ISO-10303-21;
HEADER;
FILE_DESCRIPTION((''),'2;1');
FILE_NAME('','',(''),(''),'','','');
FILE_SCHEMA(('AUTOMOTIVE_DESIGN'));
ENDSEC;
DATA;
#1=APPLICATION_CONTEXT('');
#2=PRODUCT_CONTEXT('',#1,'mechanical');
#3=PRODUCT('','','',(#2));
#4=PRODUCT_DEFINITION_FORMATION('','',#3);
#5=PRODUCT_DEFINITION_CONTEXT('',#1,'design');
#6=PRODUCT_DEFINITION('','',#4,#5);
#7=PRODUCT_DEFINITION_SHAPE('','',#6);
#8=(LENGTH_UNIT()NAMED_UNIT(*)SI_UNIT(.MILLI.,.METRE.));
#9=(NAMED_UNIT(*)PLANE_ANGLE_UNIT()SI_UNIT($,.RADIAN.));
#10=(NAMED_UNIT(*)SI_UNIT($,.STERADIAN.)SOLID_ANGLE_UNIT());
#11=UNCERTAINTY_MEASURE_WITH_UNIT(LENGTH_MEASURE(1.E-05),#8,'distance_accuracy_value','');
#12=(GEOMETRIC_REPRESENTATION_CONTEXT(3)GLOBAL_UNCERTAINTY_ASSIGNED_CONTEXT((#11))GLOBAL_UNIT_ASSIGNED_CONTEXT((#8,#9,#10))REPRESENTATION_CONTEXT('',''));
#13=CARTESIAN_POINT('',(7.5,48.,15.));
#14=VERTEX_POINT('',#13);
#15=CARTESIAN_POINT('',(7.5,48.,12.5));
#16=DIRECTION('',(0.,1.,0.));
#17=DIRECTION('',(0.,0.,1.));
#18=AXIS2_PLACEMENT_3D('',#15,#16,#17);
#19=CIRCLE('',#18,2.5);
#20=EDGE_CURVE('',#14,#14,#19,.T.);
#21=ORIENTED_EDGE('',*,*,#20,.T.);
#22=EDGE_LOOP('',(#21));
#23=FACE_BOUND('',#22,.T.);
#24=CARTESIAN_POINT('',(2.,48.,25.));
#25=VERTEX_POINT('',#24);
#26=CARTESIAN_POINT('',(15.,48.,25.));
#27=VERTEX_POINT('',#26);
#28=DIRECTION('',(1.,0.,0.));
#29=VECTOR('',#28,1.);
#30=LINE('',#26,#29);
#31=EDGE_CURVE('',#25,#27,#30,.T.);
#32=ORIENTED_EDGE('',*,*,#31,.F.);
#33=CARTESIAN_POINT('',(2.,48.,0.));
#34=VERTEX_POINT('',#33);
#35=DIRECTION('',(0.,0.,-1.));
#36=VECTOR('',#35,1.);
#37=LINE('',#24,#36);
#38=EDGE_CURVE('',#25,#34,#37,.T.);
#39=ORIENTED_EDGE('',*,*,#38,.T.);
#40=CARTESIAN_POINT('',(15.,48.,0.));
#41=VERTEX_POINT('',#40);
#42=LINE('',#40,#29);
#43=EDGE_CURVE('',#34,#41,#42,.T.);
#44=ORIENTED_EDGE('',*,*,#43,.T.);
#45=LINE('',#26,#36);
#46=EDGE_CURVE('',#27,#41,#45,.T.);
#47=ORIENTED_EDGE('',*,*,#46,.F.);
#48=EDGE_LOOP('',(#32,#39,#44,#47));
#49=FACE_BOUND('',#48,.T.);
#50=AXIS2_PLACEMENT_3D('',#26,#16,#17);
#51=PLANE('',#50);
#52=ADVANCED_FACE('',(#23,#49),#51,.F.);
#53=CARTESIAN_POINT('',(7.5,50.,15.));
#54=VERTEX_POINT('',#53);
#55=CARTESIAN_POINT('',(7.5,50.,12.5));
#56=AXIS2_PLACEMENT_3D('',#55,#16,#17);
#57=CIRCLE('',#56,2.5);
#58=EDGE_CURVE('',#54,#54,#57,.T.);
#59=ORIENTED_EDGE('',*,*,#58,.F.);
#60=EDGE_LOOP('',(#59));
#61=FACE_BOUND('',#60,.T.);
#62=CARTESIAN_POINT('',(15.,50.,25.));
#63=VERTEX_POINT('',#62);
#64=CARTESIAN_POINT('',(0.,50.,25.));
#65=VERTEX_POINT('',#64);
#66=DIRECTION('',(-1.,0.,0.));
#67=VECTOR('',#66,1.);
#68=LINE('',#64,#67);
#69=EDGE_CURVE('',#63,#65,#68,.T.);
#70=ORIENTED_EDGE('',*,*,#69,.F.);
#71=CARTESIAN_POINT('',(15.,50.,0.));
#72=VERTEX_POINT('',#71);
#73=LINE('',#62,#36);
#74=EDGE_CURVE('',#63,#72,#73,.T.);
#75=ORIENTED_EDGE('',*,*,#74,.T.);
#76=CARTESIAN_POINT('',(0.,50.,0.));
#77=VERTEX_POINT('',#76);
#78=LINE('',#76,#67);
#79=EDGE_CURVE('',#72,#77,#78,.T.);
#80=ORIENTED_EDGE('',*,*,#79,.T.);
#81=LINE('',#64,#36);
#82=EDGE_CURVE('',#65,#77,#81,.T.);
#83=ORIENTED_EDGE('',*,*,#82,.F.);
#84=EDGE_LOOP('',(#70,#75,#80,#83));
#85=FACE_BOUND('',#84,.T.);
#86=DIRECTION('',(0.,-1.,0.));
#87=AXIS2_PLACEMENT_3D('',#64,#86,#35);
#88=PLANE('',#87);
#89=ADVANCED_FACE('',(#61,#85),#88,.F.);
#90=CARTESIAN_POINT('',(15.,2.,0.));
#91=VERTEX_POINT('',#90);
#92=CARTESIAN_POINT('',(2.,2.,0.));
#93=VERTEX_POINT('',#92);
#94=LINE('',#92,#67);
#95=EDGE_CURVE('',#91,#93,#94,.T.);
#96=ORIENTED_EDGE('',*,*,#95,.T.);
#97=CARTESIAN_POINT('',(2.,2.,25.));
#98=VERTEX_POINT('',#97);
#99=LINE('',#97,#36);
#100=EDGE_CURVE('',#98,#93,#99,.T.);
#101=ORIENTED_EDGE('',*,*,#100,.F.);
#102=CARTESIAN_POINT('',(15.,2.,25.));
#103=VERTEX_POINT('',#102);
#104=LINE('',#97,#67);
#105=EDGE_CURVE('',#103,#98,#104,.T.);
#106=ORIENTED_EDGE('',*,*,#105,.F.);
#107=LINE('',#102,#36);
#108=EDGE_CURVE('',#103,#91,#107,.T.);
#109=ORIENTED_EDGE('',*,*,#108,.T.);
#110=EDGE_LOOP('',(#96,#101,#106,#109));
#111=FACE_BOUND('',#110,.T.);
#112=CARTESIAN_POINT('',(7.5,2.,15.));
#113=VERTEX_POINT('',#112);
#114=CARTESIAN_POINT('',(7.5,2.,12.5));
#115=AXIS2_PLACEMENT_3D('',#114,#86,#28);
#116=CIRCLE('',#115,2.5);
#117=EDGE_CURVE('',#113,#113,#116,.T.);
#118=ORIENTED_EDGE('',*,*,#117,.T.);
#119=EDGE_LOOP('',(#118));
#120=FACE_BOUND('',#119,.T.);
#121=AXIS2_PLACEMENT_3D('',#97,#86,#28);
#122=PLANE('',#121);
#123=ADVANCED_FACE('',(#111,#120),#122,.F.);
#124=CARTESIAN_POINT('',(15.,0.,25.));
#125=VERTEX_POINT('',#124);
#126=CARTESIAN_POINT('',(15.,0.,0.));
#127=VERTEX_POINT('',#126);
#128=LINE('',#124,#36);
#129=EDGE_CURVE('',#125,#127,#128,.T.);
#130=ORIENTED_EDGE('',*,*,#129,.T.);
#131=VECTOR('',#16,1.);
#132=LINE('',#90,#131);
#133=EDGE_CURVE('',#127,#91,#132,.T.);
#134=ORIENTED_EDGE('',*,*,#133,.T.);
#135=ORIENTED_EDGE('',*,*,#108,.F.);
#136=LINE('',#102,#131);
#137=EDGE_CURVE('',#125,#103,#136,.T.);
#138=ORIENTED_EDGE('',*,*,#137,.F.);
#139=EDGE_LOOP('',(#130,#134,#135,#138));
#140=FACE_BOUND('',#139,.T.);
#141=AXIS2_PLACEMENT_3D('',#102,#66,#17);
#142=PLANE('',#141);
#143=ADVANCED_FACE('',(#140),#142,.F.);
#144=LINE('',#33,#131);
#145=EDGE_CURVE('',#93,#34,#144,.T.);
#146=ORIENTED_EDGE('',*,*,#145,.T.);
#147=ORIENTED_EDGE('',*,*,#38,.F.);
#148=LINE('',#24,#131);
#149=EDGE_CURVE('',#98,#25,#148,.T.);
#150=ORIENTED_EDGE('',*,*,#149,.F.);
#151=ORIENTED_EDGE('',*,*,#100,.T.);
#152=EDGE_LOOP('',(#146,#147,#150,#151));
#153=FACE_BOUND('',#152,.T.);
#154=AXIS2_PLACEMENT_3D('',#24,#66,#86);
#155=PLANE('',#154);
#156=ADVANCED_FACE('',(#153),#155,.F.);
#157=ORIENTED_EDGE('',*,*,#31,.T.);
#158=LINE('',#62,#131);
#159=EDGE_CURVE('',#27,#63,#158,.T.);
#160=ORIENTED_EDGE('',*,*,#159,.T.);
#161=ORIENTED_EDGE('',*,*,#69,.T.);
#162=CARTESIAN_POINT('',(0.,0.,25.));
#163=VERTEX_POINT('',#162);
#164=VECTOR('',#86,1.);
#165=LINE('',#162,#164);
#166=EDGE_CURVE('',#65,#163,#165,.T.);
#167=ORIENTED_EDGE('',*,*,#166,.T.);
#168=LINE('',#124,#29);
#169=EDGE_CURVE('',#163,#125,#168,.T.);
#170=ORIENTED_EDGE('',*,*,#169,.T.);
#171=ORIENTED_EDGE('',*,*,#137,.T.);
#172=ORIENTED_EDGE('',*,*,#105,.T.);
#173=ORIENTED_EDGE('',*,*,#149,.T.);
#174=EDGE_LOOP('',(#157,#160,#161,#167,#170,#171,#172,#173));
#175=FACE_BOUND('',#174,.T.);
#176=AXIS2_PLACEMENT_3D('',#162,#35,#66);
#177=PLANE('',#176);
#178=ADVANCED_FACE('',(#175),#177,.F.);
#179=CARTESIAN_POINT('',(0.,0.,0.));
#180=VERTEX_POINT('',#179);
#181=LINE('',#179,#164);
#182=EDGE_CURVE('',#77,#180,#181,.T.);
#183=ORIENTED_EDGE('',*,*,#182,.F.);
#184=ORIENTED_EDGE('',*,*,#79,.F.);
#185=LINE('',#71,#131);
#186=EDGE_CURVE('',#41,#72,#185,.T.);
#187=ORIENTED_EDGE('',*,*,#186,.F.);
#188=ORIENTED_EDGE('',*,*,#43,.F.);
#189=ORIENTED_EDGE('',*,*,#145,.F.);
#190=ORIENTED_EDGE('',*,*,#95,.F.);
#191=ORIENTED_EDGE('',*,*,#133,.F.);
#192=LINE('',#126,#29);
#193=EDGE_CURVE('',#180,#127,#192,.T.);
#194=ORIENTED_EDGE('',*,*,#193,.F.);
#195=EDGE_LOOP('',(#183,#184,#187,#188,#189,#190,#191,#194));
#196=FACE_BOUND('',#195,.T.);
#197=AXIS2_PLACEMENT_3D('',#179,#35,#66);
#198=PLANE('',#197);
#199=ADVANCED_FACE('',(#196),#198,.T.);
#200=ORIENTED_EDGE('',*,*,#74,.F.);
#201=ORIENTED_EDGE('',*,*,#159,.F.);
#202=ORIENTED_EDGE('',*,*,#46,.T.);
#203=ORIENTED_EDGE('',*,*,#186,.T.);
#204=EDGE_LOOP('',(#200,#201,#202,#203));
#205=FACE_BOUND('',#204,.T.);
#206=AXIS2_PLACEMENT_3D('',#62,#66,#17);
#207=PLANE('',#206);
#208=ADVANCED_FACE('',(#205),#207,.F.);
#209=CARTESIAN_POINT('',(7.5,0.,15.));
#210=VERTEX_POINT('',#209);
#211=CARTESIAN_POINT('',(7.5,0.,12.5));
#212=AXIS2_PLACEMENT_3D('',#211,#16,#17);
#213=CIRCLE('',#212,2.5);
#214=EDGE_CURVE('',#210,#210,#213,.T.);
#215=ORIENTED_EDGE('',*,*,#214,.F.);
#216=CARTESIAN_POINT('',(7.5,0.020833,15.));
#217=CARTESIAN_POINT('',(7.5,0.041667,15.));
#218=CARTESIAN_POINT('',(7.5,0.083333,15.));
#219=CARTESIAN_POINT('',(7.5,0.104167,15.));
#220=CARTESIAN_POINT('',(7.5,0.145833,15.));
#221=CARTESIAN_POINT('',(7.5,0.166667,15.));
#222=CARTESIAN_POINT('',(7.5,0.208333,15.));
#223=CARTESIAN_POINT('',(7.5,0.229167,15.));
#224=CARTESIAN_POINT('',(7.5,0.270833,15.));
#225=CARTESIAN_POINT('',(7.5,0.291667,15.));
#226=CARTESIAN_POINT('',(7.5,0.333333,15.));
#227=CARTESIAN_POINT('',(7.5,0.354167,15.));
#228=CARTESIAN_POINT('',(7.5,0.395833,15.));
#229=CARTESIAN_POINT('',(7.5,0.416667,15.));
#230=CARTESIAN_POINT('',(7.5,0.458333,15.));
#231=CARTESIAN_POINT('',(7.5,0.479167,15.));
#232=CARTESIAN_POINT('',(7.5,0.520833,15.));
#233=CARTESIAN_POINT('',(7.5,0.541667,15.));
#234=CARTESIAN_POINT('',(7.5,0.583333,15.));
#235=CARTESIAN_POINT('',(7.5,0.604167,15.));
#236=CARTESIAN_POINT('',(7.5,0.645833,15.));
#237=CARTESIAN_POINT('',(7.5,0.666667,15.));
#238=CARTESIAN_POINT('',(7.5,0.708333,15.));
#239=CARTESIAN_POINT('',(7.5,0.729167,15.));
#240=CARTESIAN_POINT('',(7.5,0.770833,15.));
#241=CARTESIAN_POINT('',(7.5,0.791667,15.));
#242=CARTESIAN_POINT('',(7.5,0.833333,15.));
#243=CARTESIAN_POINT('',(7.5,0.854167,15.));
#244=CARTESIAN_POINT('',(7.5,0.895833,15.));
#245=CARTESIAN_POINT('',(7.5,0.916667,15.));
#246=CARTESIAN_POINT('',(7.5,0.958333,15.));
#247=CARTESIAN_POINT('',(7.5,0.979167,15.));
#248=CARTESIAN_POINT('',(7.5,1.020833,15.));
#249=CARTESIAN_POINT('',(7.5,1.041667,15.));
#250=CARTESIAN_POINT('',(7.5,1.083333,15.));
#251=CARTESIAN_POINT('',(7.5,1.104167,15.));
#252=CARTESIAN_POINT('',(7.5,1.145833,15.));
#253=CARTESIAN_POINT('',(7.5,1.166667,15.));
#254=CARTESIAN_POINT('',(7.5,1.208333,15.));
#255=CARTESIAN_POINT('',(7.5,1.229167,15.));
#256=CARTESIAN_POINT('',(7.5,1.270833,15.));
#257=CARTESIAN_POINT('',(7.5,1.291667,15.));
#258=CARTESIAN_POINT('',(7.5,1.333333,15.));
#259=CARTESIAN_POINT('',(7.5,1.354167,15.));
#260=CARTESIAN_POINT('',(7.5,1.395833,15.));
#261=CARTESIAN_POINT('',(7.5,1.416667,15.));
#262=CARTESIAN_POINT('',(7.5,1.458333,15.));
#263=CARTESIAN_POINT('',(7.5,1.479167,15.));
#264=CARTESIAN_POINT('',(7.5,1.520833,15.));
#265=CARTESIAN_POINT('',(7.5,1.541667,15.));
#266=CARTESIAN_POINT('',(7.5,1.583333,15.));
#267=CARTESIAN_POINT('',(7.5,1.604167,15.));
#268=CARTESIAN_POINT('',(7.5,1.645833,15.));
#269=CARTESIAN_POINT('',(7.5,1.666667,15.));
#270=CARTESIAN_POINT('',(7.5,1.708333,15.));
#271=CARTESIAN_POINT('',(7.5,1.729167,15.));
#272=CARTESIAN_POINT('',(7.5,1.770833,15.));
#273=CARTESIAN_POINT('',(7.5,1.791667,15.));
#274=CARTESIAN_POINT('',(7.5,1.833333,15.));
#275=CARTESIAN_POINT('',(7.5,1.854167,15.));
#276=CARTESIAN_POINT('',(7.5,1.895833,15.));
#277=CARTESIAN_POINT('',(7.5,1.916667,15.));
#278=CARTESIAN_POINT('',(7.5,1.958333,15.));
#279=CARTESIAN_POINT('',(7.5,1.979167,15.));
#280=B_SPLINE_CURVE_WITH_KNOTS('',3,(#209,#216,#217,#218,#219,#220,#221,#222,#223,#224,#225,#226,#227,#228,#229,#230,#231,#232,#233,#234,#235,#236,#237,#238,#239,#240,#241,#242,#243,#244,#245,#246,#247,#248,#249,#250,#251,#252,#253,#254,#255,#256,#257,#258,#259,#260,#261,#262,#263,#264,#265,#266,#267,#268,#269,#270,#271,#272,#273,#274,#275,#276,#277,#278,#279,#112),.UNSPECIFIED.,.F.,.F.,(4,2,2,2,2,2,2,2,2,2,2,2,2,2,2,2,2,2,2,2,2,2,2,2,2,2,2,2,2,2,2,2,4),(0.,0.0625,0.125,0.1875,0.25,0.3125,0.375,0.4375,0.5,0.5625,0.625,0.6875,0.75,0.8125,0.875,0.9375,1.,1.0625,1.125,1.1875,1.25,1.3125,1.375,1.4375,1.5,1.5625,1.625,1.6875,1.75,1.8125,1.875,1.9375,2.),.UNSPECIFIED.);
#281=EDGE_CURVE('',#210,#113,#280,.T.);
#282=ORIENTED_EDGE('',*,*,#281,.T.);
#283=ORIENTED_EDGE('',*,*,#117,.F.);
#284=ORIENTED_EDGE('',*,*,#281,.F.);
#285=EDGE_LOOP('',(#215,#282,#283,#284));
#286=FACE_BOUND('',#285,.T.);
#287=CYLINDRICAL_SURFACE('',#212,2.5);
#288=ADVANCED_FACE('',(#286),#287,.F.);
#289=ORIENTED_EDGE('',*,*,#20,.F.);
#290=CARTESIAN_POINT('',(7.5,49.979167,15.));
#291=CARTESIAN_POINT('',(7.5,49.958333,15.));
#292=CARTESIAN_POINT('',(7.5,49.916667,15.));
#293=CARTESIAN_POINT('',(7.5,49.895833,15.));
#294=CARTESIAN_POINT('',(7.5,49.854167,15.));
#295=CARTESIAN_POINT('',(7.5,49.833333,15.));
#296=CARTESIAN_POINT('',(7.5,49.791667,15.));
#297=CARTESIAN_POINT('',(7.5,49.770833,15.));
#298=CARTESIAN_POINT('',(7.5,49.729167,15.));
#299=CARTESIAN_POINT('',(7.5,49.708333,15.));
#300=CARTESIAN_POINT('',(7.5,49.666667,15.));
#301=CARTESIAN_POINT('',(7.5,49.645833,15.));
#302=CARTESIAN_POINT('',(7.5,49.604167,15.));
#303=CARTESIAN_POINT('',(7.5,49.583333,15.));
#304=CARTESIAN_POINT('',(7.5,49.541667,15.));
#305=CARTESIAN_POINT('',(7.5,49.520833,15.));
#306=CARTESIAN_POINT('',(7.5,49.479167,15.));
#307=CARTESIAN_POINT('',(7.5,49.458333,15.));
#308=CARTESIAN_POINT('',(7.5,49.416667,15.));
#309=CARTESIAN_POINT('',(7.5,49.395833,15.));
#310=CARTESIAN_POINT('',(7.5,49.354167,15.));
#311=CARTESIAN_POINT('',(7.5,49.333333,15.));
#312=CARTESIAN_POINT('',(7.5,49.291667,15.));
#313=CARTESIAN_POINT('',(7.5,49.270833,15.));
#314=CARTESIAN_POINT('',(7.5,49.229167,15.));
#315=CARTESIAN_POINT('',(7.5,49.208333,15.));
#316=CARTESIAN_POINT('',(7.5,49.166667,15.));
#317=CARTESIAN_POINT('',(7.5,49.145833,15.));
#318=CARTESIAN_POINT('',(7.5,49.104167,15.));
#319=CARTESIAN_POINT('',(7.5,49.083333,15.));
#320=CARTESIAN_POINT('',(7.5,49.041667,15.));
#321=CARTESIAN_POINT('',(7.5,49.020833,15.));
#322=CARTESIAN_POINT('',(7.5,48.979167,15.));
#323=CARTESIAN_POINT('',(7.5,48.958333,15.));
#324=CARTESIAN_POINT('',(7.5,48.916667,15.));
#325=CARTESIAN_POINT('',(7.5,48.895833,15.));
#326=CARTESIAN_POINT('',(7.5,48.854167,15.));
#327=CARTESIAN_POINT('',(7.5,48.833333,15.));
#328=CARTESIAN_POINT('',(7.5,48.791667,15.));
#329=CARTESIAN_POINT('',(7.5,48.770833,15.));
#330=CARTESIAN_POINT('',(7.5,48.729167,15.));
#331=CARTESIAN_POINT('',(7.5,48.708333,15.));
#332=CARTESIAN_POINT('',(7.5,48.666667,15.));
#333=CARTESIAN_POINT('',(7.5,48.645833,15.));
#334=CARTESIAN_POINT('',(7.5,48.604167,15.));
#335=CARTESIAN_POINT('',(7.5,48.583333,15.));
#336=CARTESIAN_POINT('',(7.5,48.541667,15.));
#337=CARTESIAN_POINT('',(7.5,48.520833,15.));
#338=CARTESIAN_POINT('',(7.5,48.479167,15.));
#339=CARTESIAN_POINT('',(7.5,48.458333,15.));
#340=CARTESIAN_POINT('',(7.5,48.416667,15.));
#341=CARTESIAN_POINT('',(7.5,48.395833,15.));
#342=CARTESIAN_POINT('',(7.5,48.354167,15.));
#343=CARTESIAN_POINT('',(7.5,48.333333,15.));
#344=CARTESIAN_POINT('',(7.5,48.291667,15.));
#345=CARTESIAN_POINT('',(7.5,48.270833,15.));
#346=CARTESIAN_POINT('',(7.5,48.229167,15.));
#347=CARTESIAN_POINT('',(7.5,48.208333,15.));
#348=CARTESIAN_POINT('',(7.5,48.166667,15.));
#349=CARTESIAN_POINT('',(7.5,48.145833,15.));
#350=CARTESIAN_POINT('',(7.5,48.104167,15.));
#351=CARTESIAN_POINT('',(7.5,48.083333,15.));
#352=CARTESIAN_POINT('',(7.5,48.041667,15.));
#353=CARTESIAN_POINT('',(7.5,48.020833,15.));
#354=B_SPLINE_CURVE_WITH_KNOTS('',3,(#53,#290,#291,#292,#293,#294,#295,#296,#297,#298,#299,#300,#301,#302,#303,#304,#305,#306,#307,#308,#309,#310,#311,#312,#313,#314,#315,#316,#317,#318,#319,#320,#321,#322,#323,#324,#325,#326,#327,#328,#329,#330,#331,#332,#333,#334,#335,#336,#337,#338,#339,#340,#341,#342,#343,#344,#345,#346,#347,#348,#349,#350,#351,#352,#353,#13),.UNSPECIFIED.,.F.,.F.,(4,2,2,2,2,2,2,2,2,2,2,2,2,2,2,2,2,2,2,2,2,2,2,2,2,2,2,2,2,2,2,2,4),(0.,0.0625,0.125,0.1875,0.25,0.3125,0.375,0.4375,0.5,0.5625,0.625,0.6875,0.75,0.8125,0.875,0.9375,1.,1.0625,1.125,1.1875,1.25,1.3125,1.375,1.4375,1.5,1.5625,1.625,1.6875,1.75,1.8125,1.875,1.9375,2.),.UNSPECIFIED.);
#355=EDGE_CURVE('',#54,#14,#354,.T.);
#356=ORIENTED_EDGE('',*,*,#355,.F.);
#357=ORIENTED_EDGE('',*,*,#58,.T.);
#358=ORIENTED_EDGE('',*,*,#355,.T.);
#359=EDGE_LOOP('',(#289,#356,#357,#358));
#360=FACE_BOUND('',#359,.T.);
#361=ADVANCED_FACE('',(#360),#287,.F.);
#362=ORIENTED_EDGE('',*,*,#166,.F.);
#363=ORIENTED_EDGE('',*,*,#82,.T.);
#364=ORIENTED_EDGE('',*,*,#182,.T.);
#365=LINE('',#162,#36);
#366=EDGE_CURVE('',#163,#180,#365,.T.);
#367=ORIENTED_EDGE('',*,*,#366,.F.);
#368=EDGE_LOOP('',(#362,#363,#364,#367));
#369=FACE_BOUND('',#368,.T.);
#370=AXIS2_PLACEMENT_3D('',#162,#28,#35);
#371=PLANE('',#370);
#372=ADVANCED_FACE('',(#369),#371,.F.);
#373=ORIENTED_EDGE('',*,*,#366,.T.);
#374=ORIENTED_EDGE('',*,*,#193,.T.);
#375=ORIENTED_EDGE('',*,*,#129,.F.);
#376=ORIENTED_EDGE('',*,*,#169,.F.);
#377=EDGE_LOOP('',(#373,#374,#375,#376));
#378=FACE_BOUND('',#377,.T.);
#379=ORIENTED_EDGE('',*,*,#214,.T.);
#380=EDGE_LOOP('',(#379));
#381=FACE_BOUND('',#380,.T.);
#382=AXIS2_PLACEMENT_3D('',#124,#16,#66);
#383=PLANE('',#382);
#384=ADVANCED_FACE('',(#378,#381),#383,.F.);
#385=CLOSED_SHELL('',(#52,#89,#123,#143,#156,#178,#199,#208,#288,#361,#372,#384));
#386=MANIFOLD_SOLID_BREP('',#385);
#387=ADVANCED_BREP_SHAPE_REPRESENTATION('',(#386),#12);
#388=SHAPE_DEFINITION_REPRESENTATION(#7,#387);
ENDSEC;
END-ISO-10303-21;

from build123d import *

# Parameters (mm, degrees)
SALIENTE_EXTRUIR1_DEPTH = 25
CROQUIS2_R              = 2.5
CORTAR_EXTRUIR1_DEPTH   = 58.879184514


with BuildPart() as part:
    # Croquis1 → Saliente-Extruir1 (new body)
    with BuildSketch(Plane.XY):
        Polygon((15, 0), (0, 0), (0, 50), (15, 50), (15, 48), (2, 48), (2, 2), (15, 2), align=None)
    extrude(amount=SALIENTE_EXTRUIR1_DEPTH)

    # Croquis2 → Cortar-Extruir1 (cut, through all)
    with BuildSketch(Plane(origin=(0, 50, 0), x_dir=(1, 0, 0), z_dir=(0, 1, 0))):
        with Locations(Location((7.5, -12.5, 0), (0, 0, 270))):
            Circle(CROQUIS2_R)
    extrude(amount=-CORTAR_EXTRUIR1_DEPTH, mode=Mode.SUBTRACT)


solid = part.part
